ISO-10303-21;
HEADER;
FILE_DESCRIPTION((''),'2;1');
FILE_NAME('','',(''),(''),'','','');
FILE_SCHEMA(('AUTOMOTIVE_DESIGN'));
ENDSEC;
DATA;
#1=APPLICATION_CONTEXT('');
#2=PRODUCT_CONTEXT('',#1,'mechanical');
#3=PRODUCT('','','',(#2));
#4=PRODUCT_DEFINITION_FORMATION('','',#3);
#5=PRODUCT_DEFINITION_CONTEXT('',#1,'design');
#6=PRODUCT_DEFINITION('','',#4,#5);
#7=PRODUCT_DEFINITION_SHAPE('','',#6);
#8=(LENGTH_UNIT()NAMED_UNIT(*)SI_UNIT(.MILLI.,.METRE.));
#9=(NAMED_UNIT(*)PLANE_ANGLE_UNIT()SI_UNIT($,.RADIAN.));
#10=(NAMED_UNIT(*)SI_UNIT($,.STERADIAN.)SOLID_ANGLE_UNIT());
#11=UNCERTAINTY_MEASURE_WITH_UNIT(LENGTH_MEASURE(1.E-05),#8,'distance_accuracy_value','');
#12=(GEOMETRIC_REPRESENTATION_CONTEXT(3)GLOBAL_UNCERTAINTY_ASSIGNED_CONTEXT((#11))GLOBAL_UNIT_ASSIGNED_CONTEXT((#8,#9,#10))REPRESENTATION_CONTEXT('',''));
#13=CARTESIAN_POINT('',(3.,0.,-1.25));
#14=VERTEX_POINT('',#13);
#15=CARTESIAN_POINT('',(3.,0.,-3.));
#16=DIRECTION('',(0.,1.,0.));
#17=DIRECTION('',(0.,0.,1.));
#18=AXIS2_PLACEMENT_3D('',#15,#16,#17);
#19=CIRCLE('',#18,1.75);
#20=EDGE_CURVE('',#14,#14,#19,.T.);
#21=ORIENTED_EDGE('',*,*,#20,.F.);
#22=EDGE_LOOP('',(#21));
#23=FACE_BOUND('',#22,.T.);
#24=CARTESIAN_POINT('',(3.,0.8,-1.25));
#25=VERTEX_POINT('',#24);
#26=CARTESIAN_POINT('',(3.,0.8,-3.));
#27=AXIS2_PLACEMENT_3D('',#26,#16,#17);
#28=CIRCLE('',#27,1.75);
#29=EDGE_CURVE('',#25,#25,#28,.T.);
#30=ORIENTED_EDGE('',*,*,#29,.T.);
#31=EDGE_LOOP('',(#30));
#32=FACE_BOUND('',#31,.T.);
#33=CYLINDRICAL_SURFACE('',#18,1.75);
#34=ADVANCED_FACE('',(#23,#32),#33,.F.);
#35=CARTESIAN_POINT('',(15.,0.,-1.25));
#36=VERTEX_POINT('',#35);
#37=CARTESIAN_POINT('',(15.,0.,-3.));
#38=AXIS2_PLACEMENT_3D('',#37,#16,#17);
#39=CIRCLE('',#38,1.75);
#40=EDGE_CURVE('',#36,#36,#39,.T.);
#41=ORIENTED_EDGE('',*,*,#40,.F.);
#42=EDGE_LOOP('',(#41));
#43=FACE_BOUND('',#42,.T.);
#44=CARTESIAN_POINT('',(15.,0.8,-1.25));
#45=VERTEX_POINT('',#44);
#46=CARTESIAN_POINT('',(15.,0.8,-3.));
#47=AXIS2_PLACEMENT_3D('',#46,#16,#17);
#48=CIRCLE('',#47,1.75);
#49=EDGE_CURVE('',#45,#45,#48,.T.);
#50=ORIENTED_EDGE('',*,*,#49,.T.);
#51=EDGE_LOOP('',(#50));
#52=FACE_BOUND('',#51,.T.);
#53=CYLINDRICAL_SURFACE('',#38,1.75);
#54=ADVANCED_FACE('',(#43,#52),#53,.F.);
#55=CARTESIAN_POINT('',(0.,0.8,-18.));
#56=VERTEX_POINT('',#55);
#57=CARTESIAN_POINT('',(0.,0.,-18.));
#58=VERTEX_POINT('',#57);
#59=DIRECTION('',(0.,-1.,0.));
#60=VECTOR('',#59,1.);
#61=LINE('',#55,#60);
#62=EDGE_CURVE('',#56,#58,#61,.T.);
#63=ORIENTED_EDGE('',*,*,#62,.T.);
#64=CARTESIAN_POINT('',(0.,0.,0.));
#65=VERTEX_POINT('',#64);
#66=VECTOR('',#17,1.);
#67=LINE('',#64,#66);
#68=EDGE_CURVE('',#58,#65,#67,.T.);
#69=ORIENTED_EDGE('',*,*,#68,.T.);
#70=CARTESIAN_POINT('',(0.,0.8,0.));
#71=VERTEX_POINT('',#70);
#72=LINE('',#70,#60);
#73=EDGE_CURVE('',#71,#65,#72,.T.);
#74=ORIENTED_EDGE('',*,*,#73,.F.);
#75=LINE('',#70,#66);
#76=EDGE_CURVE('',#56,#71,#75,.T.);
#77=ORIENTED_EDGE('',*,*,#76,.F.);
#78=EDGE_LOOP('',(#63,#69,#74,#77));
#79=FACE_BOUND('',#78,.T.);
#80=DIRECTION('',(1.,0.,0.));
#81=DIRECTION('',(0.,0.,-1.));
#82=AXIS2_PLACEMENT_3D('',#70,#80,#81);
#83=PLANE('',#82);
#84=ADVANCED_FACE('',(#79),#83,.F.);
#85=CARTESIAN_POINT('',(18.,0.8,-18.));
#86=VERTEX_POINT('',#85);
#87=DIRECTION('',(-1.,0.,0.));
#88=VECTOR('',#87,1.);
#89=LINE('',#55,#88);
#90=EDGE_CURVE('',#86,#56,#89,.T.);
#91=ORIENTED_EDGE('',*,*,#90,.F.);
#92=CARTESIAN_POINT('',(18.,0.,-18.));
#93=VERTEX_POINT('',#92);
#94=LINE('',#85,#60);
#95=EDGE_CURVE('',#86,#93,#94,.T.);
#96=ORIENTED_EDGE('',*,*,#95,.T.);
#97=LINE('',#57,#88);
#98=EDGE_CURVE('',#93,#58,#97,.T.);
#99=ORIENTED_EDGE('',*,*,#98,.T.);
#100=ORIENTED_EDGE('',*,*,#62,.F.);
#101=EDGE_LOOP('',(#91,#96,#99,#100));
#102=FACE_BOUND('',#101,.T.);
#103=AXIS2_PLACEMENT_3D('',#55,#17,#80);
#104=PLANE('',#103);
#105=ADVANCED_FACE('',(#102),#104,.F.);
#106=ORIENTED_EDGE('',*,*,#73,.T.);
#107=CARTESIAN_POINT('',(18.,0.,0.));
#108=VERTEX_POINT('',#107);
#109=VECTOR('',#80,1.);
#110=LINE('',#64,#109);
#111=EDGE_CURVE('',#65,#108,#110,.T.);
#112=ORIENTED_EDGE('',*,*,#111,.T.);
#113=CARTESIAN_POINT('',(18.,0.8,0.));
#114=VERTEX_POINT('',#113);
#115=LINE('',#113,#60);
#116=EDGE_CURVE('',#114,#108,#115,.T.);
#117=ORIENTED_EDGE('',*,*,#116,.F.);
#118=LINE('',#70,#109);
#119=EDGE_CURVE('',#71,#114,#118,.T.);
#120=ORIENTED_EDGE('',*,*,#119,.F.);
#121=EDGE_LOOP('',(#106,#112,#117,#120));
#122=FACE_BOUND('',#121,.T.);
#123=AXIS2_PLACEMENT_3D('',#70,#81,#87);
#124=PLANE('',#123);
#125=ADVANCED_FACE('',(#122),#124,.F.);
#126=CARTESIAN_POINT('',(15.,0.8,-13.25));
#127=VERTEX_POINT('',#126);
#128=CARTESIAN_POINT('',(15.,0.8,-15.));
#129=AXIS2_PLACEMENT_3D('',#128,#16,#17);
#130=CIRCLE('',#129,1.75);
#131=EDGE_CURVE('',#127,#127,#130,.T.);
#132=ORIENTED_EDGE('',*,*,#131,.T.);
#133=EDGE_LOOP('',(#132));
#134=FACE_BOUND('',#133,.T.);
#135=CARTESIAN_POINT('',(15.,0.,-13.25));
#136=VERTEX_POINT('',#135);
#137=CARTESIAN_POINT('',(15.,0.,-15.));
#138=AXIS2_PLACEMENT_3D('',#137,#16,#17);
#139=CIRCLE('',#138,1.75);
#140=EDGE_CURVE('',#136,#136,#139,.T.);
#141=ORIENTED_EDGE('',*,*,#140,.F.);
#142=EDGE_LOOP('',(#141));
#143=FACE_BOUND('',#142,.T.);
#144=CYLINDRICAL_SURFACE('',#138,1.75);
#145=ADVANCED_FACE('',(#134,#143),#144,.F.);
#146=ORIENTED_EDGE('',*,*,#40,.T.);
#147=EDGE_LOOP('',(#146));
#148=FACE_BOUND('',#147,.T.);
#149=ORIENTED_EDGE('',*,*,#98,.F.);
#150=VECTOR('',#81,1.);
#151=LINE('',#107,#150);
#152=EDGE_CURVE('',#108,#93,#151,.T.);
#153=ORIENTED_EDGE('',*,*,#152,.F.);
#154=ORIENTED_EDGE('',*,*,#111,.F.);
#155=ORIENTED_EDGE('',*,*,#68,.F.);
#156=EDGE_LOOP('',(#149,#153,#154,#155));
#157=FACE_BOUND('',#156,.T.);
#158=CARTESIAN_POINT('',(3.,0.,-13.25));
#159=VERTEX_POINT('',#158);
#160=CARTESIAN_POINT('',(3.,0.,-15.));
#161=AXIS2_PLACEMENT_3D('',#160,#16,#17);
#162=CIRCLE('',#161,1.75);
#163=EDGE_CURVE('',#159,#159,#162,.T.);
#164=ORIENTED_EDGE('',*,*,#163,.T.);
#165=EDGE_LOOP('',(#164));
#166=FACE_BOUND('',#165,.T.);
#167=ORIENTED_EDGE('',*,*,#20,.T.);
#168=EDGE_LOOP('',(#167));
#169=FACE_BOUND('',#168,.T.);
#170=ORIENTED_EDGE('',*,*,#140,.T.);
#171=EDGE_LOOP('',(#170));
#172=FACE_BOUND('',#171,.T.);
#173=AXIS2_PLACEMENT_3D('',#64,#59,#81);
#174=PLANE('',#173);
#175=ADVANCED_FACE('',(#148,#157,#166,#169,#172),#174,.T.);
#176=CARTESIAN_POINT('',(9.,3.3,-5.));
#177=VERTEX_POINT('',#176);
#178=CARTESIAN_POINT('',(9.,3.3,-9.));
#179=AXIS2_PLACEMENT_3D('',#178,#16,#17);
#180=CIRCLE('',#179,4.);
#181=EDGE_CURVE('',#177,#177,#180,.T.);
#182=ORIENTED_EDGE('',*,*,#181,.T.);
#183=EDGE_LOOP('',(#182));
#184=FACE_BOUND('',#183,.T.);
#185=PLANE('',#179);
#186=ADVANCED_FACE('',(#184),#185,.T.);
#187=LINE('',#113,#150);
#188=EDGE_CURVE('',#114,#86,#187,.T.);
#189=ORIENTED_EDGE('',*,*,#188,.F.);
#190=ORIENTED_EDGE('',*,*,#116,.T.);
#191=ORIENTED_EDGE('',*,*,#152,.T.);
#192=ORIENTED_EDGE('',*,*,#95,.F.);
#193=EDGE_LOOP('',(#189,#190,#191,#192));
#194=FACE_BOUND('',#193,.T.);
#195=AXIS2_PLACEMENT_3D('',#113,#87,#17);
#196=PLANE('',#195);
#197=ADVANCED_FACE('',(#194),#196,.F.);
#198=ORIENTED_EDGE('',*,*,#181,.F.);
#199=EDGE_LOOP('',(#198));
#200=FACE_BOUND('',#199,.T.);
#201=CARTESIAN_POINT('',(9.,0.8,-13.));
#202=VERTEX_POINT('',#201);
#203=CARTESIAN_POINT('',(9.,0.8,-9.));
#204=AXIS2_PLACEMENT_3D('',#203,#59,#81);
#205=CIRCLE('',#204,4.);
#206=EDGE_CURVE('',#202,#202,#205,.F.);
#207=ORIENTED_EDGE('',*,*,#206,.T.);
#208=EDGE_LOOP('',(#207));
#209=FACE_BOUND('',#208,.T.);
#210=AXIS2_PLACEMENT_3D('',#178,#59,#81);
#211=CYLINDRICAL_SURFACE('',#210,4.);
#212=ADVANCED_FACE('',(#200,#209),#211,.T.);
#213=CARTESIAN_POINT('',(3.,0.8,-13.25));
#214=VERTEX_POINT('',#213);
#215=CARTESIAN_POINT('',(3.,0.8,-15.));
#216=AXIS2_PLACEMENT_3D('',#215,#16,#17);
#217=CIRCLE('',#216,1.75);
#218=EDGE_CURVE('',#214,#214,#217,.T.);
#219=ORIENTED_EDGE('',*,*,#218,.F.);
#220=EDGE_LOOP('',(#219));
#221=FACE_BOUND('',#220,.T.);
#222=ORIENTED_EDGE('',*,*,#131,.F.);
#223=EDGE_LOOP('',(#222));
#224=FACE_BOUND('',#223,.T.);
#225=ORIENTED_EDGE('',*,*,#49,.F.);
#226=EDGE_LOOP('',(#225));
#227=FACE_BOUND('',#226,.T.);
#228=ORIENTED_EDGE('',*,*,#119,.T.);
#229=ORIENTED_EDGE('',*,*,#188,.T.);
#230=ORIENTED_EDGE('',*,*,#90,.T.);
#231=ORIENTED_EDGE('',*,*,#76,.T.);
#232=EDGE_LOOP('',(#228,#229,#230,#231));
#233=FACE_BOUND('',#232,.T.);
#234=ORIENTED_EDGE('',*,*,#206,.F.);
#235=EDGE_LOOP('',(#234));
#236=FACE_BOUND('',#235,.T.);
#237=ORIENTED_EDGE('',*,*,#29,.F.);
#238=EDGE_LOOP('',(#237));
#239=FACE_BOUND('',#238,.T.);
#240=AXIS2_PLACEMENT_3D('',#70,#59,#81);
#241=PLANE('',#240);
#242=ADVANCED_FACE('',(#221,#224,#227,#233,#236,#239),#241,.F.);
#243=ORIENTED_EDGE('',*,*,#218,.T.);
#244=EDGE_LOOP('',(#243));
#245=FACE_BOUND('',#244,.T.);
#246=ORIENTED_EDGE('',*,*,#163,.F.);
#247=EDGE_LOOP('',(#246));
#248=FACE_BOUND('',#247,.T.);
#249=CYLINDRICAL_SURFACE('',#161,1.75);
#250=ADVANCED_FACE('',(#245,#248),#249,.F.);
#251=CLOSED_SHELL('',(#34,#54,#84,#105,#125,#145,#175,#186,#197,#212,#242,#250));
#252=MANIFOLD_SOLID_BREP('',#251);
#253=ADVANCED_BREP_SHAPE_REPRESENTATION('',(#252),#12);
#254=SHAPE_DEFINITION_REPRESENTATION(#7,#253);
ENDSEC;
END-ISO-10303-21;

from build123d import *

# Parameters (mm, degrees)
SKETCH_1_W          = 18
SKETCH_1_H          = 18
EXTRUDE_1_DEPTH     = 0.8
SKETCH_2_R          = 1.75
CUT_EXTRUDE_1_DEPTH = 26.468411808
SKETCH_3_R          = 4
EXTRUDE_2_DEPTH     = 2.5


with BuildPart() as part:
    # 草图1 → 凸台-拉伸1 (new body)
    with BuildSketch(Plane(origin=(0, 0, 0), x_dir=(1, 0, 0), z_dir=(0, 1, 0))):
        with Locations((9, 9)):
            Rectangle(SKETCH_1_W, SKETCH_1_H)
    extrude(amount=EXTRUDE_1_DEPTH)

    # 草图2 → 切除-拉伸1 (cut, through all)
    with BuildSketch(Plane(origin=(0, 0.8, 0), x_dir=(1, 0, 0), z_dir=(0, 1, 0))):
        with Locations(Location((3, 15, 0), (0, 0, 270))):
            Circle(SKETCH_2_R)
        with Locations(Location((15, 15, 0), (0, 0, 270))):
            Circle(SKETCH_2_R)
        with Locations(Location((15, 3, 0), (0, 0, 270))):
            Circle(SKETCH_2_R)
        with Locations(Location((3, 3, 0), (0, 0, 270))):
            Circle(SKETCH_2_R)
    extrude(amount=-CUT_EXTRUDE_1_DEPTH, mode=Mode.SUBTRACT)

    # 草图3 → 凸台-拉伸2 (add)
    with BuildSketch(Plane(origin=(0, 0.8, 0), x_dir=(1, 0, 0), z_dir=(0, 1, 0))):
        with Locations(Location((9, 9, 0), (0, 0, 90))):
            Circle(SKETCH_3_R)
    extrude(amount=EXTRUDE_2_DEPTH)


solid = part.part
